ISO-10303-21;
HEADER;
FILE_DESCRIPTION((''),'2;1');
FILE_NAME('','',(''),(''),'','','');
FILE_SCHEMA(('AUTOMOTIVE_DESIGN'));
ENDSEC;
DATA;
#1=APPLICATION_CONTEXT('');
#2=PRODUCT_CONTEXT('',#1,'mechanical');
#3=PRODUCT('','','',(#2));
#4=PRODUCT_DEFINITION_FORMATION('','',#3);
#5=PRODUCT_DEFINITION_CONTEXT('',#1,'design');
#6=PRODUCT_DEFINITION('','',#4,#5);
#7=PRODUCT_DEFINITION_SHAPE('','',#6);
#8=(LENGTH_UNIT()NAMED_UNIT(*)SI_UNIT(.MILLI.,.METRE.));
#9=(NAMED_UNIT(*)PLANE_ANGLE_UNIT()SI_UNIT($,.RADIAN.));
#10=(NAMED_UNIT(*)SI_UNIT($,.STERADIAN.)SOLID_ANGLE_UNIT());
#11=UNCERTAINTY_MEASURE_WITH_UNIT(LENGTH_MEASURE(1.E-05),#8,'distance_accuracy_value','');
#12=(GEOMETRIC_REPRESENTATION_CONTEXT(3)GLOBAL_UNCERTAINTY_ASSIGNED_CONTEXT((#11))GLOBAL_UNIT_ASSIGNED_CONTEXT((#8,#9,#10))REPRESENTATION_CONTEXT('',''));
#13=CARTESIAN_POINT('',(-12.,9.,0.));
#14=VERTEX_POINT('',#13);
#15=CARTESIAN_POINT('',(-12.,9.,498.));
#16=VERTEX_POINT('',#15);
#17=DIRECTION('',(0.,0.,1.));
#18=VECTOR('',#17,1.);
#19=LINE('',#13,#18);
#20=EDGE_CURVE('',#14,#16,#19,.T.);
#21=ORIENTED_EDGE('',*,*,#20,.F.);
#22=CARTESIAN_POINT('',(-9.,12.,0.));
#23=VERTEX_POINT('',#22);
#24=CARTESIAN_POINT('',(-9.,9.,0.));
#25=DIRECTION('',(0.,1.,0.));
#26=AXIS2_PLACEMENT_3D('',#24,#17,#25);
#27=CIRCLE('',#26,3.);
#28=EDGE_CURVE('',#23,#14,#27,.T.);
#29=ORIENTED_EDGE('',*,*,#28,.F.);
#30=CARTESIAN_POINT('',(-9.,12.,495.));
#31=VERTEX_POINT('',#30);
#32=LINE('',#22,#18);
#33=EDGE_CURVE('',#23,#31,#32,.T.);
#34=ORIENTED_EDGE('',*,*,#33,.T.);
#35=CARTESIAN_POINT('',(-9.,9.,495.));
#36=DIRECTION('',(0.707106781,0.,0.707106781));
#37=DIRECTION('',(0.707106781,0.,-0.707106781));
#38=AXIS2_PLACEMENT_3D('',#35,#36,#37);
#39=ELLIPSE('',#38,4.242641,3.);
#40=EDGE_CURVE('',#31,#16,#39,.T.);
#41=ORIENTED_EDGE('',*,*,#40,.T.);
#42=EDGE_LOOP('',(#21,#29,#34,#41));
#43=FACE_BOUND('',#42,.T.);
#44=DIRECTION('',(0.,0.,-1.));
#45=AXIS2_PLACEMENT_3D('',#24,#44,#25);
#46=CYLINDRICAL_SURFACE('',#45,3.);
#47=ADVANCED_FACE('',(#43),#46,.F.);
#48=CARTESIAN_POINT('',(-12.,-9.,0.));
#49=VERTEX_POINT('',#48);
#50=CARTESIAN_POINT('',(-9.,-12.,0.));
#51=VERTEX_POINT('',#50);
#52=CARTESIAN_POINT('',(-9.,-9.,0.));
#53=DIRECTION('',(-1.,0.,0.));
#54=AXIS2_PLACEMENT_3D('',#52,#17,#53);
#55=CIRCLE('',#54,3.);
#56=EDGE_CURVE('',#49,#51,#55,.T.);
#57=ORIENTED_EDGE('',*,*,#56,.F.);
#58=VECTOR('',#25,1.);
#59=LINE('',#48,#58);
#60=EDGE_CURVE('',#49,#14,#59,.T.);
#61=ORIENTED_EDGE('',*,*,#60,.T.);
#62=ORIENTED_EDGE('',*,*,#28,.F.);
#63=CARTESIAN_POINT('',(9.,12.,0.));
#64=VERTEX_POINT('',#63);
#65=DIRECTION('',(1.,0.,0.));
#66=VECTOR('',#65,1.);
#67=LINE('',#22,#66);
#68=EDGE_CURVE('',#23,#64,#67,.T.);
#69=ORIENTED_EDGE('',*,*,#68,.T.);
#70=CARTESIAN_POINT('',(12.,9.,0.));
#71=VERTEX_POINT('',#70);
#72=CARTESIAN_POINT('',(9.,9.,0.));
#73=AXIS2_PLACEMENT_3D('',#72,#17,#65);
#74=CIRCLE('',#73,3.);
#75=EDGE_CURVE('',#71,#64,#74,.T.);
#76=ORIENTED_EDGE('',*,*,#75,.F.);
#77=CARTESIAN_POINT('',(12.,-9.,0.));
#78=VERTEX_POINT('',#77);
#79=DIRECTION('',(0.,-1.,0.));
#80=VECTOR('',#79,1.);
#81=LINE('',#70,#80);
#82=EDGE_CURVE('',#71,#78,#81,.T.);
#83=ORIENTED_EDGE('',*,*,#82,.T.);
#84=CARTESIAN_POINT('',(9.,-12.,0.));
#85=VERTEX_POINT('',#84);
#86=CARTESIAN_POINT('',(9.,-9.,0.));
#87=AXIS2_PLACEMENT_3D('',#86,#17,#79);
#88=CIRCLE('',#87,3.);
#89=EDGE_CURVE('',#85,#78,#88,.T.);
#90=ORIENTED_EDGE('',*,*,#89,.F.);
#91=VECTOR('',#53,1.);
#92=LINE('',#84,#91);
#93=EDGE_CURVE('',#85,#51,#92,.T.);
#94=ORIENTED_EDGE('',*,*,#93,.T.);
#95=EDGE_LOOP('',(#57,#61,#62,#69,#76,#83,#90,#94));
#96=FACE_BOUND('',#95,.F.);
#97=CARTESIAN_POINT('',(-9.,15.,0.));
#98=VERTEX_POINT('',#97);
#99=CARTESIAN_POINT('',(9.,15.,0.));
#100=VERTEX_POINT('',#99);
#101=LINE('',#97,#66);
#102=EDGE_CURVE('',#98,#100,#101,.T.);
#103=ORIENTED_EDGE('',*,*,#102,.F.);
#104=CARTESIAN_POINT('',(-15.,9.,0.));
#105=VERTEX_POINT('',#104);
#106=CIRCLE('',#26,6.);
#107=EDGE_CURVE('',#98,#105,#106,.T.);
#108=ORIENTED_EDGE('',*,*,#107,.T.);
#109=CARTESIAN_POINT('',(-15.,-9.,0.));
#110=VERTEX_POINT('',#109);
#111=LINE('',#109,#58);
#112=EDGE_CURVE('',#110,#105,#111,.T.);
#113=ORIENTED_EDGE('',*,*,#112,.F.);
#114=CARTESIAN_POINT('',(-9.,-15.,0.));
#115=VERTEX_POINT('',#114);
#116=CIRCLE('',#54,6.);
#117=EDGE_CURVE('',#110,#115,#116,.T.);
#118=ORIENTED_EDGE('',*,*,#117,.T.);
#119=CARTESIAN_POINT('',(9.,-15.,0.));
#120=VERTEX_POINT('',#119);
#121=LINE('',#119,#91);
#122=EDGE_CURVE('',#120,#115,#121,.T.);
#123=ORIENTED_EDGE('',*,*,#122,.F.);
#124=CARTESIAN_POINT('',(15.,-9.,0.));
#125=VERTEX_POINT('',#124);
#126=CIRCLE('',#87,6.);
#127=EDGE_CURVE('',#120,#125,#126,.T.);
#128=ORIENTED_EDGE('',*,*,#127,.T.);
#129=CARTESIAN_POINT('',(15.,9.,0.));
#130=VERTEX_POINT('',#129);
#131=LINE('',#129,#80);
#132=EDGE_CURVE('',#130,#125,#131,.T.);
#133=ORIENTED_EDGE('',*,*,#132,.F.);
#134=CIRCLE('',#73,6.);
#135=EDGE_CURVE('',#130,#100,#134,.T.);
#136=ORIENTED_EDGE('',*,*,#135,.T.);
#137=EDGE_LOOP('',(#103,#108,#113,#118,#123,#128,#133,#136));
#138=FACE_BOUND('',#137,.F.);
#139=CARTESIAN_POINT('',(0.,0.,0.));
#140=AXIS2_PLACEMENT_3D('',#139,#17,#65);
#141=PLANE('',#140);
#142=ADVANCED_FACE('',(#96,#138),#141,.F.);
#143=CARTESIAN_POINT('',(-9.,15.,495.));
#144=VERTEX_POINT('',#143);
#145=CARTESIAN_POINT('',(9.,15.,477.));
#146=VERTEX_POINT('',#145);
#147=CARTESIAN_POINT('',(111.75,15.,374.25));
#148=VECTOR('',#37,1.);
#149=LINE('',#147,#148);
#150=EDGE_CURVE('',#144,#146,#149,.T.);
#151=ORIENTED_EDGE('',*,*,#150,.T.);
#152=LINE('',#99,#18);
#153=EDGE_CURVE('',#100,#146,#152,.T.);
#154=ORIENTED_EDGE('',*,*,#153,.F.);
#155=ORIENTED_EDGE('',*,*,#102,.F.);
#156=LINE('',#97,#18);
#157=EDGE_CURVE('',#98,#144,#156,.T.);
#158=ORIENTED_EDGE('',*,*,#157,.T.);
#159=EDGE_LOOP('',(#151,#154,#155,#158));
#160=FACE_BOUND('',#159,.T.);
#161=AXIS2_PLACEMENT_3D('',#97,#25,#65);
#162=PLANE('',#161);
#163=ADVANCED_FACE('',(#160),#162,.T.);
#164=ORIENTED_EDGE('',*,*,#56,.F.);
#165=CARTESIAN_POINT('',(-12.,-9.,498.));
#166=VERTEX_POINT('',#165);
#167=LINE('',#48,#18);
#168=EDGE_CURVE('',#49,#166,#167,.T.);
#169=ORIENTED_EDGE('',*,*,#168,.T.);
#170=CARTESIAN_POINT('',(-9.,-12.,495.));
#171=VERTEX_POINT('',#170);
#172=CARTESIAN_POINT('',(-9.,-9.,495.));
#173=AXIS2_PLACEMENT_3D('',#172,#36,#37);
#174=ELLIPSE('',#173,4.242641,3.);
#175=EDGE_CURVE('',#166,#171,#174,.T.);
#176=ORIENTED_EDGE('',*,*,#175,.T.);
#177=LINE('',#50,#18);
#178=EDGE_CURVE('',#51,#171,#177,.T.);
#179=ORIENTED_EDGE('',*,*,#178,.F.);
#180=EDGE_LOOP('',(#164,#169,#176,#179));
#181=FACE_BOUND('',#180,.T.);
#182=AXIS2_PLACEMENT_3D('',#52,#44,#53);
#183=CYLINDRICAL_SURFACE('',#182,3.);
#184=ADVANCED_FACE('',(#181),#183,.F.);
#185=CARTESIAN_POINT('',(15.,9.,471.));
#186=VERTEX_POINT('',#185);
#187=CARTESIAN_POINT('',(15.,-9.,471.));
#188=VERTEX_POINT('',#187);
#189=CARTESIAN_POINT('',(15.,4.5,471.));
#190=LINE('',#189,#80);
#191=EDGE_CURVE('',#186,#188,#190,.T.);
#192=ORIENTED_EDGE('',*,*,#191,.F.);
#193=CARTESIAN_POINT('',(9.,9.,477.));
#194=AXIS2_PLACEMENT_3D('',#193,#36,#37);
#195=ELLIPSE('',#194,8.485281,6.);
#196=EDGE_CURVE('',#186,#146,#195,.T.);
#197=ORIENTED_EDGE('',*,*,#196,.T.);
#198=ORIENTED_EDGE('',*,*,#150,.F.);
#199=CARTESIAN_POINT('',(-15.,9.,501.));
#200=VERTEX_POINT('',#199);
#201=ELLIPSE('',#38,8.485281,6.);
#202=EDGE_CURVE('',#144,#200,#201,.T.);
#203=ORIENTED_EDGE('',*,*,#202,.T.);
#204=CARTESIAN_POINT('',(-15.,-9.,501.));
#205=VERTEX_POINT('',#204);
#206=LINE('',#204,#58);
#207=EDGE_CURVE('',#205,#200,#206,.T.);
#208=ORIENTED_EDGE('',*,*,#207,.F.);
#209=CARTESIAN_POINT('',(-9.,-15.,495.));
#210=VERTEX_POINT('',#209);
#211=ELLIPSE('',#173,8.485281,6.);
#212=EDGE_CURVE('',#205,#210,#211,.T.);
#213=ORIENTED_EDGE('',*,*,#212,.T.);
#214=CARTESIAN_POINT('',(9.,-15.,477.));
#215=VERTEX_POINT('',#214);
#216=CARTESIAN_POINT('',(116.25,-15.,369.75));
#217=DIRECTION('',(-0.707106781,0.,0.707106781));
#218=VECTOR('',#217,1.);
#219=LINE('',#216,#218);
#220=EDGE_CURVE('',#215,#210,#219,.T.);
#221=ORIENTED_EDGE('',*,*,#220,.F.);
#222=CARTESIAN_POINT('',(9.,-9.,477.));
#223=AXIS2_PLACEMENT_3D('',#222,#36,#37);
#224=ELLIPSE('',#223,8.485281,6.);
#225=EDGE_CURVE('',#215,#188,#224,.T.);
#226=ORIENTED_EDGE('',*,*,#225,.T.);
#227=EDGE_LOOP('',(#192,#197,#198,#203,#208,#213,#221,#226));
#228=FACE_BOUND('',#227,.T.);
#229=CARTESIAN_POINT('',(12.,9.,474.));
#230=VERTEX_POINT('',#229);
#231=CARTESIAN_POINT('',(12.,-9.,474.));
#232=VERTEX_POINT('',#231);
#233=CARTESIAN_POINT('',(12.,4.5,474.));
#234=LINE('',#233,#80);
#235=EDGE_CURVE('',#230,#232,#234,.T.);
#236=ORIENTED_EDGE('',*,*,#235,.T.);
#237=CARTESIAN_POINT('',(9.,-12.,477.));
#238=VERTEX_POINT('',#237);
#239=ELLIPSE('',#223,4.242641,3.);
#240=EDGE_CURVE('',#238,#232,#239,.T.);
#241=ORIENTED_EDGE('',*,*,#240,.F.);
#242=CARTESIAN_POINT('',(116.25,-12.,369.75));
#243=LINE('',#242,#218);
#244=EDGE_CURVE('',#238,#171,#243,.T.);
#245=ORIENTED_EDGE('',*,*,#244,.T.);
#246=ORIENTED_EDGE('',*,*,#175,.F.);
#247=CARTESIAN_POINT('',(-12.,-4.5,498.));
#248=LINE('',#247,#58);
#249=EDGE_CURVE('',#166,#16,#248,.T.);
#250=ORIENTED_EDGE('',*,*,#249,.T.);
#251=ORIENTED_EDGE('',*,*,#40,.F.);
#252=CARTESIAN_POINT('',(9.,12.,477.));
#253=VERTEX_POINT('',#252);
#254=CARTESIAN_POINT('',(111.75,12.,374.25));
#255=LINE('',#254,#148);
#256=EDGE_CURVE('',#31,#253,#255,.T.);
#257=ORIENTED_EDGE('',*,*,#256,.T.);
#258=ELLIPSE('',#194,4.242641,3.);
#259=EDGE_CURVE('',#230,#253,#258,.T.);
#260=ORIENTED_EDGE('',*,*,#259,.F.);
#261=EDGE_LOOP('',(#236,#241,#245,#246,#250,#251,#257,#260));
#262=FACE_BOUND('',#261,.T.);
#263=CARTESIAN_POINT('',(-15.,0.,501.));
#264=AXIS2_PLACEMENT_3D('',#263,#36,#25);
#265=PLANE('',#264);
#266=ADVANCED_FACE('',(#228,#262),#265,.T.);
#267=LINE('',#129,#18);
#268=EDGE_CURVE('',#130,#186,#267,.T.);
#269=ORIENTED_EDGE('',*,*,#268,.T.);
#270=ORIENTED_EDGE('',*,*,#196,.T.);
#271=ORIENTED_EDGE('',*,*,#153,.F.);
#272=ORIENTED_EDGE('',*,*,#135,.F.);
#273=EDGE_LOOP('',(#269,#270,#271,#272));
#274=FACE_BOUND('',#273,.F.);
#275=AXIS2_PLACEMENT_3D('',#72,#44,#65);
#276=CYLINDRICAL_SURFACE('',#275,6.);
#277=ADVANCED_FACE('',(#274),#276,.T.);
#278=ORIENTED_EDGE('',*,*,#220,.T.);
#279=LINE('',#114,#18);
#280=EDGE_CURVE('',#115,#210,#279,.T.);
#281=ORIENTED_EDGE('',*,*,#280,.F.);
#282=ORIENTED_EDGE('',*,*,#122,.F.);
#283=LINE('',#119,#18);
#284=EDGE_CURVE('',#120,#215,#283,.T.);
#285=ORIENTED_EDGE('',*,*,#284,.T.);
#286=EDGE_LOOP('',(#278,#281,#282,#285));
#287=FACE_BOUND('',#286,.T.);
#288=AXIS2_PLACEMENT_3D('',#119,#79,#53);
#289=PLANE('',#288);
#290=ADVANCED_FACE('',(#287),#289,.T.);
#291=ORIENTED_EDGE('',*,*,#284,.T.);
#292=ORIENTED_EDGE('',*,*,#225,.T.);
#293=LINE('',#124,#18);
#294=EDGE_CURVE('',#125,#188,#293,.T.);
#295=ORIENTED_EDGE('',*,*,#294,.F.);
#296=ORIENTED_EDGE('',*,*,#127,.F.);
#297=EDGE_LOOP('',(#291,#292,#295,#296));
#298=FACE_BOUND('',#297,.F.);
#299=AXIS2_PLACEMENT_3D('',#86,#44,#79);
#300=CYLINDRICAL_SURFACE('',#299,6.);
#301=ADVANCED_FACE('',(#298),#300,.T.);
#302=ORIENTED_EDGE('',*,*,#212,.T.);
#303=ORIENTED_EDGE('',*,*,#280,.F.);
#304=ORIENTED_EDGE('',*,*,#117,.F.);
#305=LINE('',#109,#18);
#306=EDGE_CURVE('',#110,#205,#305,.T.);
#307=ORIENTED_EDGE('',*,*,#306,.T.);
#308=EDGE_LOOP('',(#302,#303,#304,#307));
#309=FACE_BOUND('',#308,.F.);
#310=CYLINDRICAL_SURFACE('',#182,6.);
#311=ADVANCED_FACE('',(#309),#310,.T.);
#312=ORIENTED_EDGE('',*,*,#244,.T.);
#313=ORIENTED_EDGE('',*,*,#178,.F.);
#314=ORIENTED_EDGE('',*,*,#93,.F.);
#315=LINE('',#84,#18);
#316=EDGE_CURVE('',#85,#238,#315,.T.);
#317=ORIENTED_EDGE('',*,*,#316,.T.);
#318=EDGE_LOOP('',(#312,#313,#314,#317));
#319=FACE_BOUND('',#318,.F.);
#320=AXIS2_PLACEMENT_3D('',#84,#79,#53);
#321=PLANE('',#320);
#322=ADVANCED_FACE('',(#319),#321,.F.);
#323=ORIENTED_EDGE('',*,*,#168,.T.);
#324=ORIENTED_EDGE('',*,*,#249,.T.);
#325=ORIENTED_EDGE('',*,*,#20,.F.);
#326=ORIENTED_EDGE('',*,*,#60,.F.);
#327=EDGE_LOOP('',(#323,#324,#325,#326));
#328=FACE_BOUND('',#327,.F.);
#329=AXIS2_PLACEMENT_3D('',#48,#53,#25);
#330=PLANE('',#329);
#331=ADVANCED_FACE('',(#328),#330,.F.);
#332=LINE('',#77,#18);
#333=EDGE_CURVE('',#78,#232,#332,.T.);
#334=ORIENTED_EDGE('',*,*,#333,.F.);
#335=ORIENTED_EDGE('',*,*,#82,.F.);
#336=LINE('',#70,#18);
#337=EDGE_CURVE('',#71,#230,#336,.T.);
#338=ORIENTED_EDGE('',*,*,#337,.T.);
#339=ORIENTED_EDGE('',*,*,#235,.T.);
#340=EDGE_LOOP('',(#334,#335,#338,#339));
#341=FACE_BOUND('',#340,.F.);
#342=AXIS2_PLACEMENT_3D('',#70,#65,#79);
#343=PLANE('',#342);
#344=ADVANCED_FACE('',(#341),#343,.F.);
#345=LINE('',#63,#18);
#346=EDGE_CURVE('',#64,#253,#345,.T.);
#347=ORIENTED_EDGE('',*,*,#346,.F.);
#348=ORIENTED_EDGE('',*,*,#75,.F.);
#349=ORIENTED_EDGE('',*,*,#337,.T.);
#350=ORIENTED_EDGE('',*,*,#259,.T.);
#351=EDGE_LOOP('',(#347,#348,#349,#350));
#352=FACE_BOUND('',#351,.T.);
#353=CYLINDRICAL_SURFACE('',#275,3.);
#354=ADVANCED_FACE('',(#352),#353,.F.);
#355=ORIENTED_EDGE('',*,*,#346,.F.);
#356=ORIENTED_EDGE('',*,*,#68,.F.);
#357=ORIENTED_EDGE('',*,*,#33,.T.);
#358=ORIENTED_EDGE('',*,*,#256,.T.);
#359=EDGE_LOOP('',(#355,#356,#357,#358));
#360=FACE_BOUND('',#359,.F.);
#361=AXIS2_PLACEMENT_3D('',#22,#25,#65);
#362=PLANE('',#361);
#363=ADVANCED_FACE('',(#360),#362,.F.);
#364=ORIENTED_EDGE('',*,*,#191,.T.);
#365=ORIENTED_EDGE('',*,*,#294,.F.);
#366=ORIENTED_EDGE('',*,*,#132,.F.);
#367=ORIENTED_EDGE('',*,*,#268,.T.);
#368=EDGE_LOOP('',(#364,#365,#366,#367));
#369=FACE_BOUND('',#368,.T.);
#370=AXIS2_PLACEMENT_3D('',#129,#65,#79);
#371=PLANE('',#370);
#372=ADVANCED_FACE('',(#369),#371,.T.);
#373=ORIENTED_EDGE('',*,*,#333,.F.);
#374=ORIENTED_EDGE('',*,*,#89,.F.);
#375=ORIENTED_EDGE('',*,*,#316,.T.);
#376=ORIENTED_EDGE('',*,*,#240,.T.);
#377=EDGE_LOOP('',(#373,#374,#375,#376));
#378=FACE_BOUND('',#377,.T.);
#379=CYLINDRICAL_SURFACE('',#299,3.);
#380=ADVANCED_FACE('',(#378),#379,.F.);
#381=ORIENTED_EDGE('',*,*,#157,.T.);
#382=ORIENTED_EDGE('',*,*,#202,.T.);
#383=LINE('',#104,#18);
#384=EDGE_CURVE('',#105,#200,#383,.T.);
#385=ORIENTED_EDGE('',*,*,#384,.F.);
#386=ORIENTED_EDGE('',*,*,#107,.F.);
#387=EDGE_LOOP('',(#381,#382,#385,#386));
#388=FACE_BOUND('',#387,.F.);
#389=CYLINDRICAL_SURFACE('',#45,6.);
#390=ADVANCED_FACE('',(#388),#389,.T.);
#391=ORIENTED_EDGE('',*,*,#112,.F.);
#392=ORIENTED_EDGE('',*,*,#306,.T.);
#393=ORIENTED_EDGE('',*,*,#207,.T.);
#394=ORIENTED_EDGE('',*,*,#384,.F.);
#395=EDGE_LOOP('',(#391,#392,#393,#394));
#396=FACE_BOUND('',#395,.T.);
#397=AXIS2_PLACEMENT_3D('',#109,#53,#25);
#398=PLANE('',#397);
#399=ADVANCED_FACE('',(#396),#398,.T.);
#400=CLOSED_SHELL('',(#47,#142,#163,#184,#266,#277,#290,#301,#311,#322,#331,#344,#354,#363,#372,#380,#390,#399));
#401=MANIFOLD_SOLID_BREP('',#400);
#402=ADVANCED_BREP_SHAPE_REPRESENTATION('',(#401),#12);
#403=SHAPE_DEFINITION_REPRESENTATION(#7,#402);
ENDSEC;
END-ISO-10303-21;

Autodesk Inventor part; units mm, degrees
ref_plane "Start Plane" through (0, 0, 0) normal (0, 0, 1) x (1, 0, 0)
ref_plane "End Plane" through (0, 0, 501) normal (0, 0, 1) x (1, 0, 0)
sketch "Sketch" plane through (0, 0, 0) normal (0, 0, 1) x (1, 0, 0)
  line L0 (-15, -9) -> (-15, 9)
  line L1 (-9, 15) -> (9, 15)
  line L2 (15, 9) -> (15, -9)
  line L3 (9, -15) -> (-9, -15)
  arc A0 (-15, -9) -> (-9, -15) centre (-9, -9) ccw
  arc A1 (-9, 15) -> (-15, 9) centre (-9, 9) ccw
  arc A2 (15, 9) -> (9, 15) centre (9, 9) ccw
  arc A3 (9, -15) -> (15, -9) centre (9, -9) ccw
  arc A4 (-9, 12) -> (-12, 9) centre (-9, 9) ccw
  line L4 (-9, 12) -> (9, 12)
  arc A5 (12, 9) -> (9, 12) centre (9, 9) ccw
  line L5 (12, 9) -> (12, -9)
  arc A6 (9, -12) -> (12, -9) centre (9, -9) ccw
  line L6 (9, -12) -> (-9, -12)
  arc A7 (-12, -9) -> (-9, -12) centre (-9, -9) ccw
  line L7 (-12, -9) -> (-12, 9)
  line L8 (0, 22.7397) -> (0, -22.7397) construction
  line L9 (-22.7397, 0) -> (22.7397, 0) construction
  dimension "d7" = 6
  dimension "d10" = 30
  dimension "d11" = 30
  dimension "d12" = 3
  dimension "d15" = 15
  dimension "d16" = 15
extrude "Body" add sketch "Sketch" along normal up to surface (501 mm away) from surface at 0
sketch "Sketch3" plane through (0, 0, 0) normal (0, 0, 1) x (1, 0, 0)
  line L0 (0, 0) -> (10, 0)
ref_plane "Work Plane3" through (0, 0, 0) normal (0, -1, 0) x (1, 0, 0)
ref_plane "Work Plane4" through (-15, 0, 501) normal (0.7071, 0, 0.7071) x (0.7071, 0, -0.7071)
split "Split1" plane through (-15, 0, 501) removes the side toward (0.7071, 0, 0.7071)
sketch "Sketch4" plane through (0, 0, 0) normal (0, -1, 0) x (1, 0, 0)
  line L0 (-2, 0) -> (12, 0) projected
  line L1 (-2, 501) -> (12, 501) projected
  dimension "d18" = 501
equation "\"d7\" = G_IR"
equation "\"d10\" = G_H"
equation "\"d11\" = G_W"
equation "\"d12\" = G_T"
equation "\"d15\" = 0.5 * d10"
equation "\"d16\" = 0.5 * d11"
equation "\"d3\" = G_L"
equation "\"G_W\" = 30"
equation "\"G_H\" = 30"
equation "\"G_T\" = 3"
equation "\"G_IR\" = 6"
equation "\"G_L\" = d18"
equation "\"G_OFFSET_START\" = 0"
equation "\"G_OFFSET_END\" = 15.00001"
equation "\"d14\" = G_OFFSET_END + B_L"
equation "\"B_L\" = 485.99998"
properties part number "DIN EN 10219-2 - 30 x 30 x 3  - 501" material "Steel, Mild"
